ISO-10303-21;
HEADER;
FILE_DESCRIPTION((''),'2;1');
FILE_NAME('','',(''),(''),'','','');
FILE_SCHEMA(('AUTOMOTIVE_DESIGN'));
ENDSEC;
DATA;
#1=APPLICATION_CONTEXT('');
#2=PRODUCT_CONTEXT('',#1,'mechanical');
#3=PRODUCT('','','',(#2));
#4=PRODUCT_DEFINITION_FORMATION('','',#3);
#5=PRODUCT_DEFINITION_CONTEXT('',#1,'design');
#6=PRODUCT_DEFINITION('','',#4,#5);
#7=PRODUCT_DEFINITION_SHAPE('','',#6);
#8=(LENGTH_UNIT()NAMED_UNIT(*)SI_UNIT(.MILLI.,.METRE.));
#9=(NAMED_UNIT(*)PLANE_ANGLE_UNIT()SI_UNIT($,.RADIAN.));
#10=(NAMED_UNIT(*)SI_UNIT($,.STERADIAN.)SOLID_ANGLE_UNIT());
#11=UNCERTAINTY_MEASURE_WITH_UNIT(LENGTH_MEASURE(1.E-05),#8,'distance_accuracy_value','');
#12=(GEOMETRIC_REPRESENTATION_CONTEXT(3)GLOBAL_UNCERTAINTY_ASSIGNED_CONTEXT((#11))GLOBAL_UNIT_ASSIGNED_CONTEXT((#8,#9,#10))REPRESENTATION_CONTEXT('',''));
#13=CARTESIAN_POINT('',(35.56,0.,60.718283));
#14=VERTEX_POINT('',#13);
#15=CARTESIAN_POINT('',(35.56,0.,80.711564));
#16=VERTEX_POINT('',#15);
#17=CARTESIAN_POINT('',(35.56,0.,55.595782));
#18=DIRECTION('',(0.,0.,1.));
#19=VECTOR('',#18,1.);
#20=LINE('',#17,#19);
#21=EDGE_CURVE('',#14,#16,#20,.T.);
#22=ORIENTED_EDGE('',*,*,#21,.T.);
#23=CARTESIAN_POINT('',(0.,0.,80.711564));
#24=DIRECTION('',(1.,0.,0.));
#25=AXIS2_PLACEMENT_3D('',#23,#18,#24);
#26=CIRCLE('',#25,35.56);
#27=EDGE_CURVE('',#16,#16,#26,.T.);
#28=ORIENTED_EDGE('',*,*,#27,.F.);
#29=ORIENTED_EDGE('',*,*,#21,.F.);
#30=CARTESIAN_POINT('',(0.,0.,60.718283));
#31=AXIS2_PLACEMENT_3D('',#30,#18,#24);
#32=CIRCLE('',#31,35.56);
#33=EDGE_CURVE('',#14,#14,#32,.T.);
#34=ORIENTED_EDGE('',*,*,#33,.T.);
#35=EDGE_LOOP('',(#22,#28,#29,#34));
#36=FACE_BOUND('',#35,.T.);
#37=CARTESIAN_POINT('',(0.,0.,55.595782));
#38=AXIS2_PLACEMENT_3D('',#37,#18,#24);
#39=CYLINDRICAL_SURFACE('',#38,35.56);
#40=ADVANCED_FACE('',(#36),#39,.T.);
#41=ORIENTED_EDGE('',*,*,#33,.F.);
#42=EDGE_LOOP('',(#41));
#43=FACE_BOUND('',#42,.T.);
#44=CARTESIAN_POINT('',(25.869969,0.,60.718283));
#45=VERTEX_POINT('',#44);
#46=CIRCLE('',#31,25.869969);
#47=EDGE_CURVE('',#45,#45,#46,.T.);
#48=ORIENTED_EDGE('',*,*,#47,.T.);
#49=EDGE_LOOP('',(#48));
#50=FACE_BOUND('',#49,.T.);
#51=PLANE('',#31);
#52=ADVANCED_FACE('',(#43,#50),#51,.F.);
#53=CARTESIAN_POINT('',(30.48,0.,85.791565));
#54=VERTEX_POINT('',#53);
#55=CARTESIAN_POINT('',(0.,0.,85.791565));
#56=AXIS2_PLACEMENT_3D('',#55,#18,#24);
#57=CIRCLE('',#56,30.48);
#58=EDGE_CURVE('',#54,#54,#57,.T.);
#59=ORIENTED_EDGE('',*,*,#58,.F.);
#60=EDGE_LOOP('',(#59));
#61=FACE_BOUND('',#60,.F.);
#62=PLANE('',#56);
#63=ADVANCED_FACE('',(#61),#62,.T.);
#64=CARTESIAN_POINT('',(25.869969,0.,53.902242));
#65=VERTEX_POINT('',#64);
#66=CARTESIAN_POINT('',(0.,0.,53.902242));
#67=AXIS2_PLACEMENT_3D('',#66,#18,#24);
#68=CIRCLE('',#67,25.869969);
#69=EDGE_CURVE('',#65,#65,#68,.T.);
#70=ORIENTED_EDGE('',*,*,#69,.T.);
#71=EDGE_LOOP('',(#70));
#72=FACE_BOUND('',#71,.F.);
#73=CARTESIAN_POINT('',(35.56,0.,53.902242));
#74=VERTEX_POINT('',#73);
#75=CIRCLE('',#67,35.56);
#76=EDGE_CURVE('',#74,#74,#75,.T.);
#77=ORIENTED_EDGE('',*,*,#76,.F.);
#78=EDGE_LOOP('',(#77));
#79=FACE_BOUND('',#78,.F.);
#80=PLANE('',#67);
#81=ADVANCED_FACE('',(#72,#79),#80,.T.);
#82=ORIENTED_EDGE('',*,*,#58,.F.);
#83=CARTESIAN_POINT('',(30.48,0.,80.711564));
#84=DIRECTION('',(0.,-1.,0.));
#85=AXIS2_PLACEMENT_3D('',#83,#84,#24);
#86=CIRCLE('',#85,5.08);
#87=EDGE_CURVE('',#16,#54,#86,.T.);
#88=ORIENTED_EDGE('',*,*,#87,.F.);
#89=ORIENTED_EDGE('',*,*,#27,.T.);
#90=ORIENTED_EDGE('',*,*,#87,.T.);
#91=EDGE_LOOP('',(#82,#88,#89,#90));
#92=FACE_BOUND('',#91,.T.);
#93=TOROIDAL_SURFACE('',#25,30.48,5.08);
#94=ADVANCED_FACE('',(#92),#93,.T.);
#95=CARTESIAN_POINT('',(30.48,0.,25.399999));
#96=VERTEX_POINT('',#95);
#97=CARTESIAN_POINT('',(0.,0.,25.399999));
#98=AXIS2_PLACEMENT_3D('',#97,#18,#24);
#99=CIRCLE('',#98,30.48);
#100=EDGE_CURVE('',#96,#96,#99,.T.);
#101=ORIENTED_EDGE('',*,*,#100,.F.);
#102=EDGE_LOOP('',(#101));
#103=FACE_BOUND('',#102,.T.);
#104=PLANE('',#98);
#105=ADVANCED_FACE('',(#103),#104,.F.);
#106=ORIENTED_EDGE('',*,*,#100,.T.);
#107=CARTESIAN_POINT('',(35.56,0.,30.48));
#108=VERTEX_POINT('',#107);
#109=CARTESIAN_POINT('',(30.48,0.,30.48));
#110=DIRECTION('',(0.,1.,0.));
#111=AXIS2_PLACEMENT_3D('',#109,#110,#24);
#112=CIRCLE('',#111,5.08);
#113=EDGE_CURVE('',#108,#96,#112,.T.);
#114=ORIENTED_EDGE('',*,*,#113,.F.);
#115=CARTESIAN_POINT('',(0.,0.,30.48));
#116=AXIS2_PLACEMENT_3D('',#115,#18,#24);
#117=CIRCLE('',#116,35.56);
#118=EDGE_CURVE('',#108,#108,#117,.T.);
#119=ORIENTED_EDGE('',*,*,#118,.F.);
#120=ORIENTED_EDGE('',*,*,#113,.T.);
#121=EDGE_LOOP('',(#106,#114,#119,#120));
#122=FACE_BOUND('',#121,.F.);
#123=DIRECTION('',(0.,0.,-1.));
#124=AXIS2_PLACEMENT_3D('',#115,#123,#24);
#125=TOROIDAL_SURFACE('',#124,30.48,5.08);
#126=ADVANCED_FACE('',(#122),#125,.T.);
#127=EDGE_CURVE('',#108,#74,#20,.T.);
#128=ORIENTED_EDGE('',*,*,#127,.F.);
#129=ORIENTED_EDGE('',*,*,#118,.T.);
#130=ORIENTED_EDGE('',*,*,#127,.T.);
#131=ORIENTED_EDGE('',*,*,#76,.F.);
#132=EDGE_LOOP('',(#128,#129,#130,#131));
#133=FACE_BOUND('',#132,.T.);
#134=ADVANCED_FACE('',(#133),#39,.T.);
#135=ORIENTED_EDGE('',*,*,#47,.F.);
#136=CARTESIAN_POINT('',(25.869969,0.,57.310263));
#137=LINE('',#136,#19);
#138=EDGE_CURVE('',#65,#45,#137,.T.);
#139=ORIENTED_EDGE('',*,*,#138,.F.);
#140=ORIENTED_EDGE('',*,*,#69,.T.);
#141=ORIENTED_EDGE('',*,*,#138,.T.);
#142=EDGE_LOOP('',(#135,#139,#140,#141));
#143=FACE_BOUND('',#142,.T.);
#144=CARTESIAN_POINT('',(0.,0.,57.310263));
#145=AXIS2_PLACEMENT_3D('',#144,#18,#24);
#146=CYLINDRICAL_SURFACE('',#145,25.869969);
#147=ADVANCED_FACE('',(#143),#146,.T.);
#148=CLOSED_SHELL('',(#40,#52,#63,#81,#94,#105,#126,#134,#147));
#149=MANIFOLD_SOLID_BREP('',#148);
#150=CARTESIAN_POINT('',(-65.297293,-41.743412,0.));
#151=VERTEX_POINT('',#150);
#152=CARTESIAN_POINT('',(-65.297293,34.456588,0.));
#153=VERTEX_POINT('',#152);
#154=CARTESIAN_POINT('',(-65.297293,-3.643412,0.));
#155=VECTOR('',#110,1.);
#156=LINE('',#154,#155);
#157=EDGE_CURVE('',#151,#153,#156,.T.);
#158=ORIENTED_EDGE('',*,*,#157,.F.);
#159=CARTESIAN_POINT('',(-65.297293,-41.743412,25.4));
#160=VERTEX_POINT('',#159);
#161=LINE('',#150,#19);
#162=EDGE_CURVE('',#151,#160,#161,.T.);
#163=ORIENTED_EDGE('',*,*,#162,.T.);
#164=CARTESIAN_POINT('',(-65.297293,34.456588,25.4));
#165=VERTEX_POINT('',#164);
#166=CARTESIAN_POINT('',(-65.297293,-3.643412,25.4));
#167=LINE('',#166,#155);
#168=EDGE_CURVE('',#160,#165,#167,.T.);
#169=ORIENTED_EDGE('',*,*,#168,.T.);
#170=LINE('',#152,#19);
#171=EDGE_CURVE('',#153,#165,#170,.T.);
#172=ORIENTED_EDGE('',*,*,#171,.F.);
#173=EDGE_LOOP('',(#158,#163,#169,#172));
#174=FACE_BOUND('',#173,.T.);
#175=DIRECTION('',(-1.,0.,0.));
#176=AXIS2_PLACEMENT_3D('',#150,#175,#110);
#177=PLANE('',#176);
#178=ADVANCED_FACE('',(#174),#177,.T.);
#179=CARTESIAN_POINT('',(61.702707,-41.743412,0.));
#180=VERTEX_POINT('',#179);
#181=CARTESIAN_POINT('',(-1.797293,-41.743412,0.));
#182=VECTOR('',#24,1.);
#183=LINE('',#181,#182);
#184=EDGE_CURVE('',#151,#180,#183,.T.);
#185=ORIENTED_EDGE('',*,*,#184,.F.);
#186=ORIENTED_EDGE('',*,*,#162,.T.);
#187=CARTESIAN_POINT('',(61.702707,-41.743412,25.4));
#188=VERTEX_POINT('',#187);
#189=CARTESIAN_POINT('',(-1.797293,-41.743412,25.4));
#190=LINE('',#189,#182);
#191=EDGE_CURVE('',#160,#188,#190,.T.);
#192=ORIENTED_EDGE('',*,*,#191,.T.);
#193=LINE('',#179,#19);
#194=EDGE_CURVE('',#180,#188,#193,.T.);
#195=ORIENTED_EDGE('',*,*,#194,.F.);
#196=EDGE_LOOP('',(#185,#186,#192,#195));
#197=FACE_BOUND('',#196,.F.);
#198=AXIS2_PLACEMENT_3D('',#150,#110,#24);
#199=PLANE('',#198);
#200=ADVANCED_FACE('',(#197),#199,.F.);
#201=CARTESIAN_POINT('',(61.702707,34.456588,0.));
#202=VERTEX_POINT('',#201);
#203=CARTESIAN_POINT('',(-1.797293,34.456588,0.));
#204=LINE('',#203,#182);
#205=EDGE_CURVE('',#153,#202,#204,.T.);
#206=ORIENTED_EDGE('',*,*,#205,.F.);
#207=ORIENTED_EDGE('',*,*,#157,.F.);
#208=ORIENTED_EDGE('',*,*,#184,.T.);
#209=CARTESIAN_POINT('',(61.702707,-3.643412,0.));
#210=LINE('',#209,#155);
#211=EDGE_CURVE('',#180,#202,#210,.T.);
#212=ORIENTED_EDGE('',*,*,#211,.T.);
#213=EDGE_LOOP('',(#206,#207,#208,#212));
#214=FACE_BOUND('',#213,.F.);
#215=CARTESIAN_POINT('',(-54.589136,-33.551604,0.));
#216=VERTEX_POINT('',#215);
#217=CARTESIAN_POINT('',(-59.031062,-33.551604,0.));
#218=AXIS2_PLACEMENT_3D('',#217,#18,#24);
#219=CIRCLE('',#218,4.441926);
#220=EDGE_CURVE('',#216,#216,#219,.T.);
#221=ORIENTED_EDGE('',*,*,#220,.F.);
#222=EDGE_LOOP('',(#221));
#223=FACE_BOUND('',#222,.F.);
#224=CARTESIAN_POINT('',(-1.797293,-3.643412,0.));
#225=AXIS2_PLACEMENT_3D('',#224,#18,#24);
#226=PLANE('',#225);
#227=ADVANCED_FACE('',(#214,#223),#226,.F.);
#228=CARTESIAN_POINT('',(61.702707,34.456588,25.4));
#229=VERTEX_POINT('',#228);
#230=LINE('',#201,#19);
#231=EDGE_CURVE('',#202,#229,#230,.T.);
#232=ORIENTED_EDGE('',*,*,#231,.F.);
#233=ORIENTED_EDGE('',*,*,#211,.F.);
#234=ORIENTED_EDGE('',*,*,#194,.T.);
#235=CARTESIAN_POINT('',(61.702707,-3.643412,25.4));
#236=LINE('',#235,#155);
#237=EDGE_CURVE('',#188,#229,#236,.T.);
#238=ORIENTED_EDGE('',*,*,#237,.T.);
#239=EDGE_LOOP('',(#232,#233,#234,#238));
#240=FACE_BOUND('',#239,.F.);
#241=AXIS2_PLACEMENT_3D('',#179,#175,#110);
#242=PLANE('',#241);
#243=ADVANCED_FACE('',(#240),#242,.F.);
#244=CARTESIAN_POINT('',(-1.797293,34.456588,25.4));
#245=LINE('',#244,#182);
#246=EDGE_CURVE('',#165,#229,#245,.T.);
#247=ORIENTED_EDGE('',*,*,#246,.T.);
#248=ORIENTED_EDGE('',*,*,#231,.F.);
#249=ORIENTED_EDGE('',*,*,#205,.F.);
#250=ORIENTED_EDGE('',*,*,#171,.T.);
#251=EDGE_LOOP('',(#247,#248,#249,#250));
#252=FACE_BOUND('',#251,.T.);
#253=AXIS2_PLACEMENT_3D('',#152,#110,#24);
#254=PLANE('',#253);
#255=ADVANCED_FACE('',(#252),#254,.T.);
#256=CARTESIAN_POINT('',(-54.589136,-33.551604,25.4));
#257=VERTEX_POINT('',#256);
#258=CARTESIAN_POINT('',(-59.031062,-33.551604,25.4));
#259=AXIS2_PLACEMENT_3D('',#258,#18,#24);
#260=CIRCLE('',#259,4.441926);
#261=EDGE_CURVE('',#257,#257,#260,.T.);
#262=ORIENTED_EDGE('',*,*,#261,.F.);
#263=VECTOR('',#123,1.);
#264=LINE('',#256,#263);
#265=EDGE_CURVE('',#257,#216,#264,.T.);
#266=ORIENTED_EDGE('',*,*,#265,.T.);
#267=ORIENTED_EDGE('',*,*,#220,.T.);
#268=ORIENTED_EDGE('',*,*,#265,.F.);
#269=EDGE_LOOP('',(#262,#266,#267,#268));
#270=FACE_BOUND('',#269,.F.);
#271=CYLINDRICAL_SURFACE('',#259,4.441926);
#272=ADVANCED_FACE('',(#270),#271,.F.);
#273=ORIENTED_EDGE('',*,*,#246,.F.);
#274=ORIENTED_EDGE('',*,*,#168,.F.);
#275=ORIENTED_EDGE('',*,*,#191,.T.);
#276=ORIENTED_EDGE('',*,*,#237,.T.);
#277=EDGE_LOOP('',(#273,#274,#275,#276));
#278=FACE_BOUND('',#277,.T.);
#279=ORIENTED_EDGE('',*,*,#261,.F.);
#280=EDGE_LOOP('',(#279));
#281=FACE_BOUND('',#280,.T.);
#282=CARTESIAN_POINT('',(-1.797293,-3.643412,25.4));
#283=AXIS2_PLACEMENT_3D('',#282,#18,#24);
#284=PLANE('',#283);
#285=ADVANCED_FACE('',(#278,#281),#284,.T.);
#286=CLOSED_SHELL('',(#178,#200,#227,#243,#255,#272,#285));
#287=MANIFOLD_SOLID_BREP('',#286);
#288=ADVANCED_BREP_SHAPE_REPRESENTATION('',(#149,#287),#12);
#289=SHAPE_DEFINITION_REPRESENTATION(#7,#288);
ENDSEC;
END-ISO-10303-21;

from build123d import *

# Parameters (mm, degrees)
F0_W     = 127
F0_H     = 76.2
F1_DEPTH = 25.4
F2_R     = 4.441926
F3_DEPTH = 25.401
F4_W     = 35.56
F4_H     = 60.391565
F6_W     = 9.759322
F6_H     = 6.816041
F9_R     = 5.08
F10_R    = 5.08


with BuildPart() as f1:
    # F0 (on Top) → F1 (new body)
    with BuildSketch(Plane.XY):
        with Locations((-1.797293, -3.643412)):
            Rectangle(F0_W, F0_H)
    extrude(amount=F1_DEPTH)

    # F2 (on face) → F3 (cut, through all)
    with BuildSketch(Plane.XY.offset(25.4)):
        with Locations((-59.031062, -33.551604)):
            Circle(F2_R)
    extrude(amount=-F3_DEPTH, mode=Mode.SUBTRACT)


with BuildPart() as f5:
    # F4 (on Front) → F5 (revolve)
    with BuildSketch(Plane.XZ):
        with Locations((17.78, 55.595782)):
            Rectangle(F4_W, F4_H)
    revolve(axis=Axis((0, 0, 55.595783), (0, 0, 1)))

    # F6 (on Front) → F8 (revolve, cut)
    with BuildSketch(Plane.XZ):
        with Locations((30.74963, 57.310263)):
            Rectangle(F6_W, F6_H)
    revolve(axis=Axis((0, 0, 37.291419), (0, 0, 1)), mode=Mode.SUBTRACT)

    # F9
    f9_edges = [f5.edges().sort_by_distance(p)[0] for p in [
        (-35.56, 0, 85.791565),
    ]]
    fillet(f9_edges, radius=F9_R)

    # F10
    f10_edges = [f5.edges().sort_by_distance(p)[0] for p in [
        (-35.56, 0, 25.4),
    ]]
    fillet(f10_edges, radius=F10_R)


solid = Compound([f1.part, f5.part])
